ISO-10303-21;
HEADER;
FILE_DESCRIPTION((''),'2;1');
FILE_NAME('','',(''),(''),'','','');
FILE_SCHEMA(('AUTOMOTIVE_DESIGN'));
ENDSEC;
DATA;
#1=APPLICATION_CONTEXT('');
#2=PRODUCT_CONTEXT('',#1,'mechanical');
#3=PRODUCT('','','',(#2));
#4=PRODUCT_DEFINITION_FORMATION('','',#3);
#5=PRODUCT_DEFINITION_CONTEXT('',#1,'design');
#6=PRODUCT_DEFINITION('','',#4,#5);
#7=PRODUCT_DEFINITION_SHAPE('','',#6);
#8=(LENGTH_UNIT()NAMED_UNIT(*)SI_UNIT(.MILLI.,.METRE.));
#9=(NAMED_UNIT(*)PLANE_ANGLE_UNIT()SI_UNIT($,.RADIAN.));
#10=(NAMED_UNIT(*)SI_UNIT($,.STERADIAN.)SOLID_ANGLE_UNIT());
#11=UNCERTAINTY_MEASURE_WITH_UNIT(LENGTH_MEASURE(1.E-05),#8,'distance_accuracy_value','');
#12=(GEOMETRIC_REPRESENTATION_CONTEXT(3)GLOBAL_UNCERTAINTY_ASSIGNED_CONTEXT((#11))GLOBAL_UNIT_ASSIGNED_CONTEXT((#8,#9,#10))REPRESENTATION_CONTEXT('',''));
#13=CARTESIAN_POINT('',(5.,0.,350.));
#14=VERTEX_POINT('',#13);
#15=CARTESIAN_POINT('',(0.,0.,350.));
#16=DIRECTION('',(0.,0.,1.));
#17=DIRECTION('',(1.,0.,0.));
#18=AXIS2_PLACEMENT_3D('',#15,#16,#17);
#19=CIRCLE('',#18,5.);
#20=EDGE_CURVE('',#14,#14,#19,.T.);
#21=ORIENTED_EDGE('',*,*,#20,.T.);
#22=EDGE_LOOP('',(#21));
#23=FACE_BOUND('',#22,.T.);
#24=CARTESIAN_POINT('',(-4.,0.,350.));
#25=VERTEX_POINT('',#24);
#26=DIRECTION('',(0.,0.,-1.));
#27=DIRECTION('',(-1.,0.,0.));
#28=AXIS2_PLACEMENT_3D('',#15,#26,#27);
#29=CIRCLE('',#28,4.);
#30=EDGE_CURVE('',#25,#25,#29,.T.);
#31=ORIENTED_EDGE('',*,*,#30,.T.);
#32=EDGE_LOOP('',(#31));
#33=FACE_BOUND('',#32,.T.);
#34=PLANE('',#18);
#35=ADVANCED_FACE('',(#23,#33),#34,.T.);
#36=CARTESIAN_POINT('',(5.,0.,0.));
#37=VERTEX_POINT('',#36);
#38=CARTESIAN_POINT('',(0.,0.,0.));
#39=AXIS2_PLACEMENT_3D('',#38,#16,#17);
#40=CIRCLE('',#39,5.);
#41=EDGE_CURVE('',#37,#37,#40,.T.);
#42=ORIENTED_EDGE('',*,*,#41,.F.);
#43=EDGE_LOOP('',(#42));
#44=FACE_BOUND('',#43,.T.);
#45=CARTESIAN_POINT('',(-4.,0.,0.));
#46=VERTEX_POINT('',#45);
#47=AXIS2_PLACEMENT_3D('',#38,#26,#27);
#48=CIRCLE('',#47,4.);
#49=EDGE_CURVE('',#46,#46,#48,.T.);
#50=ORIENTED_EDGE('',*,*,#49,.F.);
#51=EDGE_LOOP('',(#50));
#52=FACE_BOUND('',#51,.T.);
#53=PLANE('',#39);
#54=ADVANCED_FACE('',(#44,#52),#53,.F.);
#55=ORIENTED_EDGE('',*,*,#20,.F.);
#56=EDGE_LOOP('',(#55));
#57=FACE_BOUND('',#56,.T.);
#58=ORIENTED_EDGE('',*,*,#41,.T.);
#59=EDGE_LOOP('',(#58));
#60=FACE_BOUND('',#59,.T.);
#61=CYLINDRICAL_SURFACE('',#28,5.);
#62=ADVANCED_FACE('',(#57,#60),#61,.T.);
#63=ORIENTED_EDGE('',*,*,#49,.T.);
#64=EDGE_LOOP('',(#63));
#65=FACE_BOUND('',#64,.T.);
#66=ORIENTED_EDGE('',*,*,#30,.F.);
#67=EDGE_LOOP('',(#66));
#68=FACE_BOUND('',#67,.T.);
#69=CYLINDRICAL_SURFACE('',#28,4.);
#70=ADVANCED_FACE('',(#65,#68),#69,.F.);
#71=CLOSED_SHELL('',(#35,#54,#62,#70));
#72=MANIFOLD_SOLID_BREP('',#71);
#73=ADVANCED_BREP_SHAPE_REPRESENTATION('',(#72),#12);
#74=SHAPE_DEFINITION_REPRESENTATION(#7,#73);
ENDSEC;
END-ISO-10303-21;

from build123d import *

# Parameters (mm, degrees)
SKETCH_1_R          = 5
EXTRUDE_1_DEPTH     = 350
SKETCH_2_R          = 4
CUT_EXTRUDE_1_DEPTH = 351.071421284


with BuildPart() as part:
    # 草图1 → 凸台-拉伸1 (new body)
    with BuildSketch(Plane.XY):
        Circle(SKETCH_1_R)
    extrude(amount=EXTRUDE_1_DEPTH)

    # 草图2 → 切除-拉伸1 (cut, through all)
    with BuildSketch(Plane(origin=(0, 0, 0), x_dir=(-1, 0, 0), z_dir=(0, 0, -1))):
        Circle(SKETCH_2_R)
    extrude(amount=-CUT_EXTRUDE_1_DEPTH, mode=Mode.SUBTRACT)


solid = part.part
